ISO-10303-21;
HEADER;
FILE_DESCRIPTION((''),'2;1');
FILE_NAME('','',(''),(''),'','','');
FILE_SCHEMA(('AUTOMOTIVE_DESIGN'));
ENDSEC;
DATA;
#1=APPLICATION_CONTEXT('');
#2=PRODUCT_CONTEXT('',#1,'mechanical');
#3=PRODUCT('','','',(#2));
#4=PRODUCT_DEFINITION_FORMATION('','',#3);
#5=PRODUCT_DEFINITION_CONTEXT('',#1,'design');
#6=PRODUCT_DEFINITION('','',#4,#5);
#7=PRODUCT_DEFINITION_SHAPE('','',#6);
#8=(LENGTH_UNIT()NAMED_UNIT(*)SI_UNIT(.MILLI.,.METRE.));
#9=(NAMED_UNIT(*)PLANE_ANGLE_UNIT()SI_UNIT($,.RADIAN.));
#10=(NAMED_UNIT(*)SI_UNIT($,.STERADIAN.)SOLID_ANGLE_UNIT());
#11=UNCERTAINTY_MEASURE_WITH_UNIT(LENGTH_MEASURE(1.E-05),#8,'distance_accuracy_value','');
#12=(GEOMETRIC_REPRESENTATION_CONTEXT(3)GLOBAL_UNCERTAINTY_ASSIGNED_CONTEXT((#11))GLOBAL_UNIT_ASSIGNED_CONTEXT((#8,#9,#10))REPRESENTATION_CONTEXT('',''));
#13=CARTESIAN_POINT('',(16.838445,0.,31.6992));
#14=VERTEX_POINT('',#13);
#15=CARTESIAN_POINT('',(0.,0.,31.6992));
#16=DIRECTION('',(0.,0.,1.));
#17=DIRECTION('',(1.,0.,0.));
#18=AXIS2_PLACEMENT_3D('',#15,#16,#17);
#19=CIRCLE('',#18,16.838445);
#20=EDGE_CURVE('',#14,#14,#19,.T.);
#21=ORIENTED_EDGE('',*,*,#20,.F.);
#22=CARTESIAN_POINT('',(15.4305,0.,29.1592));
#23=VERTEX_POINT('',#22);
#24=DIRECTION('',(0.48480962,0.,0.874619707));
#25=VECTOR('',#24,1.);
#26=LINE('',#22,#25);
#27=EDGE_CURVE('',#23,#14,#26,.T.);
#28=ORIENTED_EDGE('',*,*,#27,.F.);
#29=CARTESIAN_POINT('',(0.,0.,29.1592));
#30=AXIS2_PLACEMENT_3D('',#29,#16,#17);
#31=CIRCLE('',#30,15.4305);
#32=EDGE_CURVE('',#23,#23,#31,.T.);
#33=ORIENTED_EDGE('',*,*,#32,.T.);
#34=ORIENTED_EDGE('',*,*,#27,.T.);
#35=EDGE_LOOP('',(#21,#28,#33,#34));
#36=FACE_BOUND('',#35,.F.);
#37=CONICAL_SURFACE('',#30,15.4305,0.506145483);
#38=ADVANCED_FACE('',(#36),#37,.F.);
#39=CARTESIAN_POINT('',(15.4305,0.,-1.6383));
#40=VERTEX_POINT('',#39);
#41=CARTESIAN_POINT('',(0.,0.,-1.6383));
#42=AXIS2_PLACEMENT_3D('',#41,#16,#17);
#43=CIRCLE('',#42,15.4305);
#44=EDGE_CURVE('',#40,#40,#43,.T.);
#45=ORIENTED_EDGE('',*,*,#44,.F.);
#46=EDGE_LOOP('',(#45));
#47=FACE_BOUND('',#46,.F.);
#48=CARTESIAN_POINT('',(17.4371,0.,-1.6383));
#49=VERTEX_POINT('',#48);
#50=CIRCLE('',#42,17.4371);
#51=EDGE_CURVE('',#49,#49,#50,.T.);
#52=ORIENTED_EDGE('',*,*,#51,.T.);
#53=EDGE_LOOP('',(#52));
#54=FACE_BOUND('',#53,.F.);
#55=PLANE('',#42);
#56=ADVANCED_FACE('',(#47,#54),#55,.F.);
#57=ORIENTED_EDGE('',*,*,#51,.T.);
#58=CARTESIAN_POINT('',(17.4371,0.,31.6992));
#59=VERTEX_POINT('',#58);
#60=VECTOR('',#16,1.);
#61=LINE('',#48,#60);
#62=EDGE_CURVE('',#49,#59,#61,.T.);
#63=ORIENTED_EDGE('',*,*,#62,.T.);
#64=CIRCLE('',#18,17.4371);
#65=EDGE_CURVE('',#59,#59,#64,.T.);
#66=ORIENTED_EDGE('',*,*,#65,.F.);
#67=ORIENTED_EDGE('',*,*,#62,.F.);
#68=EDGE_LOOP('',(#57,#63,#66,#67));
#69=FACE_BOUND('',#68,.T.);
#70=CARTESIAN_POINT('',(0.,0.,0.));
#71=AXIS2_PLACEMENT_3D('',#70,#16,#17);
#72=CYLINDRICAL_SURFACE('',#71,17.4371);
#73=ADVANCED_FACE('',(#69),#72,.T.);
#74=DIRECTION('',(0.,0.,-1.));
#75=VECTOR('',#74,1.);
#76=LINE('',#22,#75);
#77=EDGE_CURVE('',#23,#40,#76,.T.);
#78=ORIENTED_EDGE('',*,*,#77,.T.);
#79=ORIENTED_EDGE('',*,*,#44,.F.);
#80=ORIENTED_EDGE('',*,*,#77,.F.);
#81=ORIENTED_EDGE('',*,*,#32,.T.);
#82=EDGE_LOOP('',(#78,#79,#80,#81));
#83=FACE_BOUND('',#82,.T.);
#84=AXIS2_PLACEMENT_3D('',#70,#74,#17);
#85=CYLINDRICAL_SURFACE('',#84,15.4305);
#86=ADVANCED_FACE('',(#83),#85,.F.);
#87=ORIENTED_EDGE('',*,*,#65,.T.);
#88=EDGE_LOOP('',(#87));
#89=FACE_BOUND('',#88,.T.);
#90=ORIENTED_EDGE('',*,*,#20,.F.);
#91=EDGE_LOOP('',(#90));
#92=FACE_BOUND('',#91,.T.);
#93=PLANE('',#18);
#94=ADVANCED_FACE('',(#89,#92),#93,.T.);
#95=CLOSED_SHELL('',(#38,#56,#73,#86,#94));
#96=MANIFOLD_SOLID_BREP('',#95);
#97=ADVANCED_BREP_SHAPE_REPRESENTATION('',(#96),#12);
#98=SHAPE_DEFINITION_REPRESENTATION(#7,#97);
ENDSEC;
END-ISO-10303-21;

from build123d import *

# Parameters (mm, degrees)
F0_R     = 17.4371
F0_R_2   = 16.8275
F0_R_3   = 15.4305
F1_DEPTH = 31.6992
F2_DEPTH = 1.6383
F3_SIZE2 = 1.4079449907
F3_SIZE  = 2.54


with BuildPart() as f1:
    # F0 (on Top) → F1 (new body)
    with BuildSketch(Plane.XY):
        Circle(F0_R)
        Circle(F0_R_2, mode=Mode.SUBTRACT)
        Circle(F0_R_2)
        Circle(F0_R_3, mode=Mode.SUBTRACT)
    extrude(amount=F1_DEPTH)

    # F0 (on Top) → F2 (join)
    with BuildSketch(Plane.XY):
        Circle(F0_R)
        Circle(F0_R_2, mode=Mode.SUBTRACT)
        Circle(F0_R_2)
        Circle(F0_R_3, mode=Mode.SUBTRACT)
    extrude(amount=-F2_DEPTH)

    # F3
    f3_edges = [f1.edges().sort_by_distance(p)[0] for p in [
        (-15.4305, 0, 31.6992),
    ]]
    f3_side = f1.faces().sort_by_distance((-15.4305, 0, 15.8496))[0]
    chamfer(f3_edges, length=F3_SIZE, length2=F3_SIZE2, reference=f3_side)


solid = f1.part
